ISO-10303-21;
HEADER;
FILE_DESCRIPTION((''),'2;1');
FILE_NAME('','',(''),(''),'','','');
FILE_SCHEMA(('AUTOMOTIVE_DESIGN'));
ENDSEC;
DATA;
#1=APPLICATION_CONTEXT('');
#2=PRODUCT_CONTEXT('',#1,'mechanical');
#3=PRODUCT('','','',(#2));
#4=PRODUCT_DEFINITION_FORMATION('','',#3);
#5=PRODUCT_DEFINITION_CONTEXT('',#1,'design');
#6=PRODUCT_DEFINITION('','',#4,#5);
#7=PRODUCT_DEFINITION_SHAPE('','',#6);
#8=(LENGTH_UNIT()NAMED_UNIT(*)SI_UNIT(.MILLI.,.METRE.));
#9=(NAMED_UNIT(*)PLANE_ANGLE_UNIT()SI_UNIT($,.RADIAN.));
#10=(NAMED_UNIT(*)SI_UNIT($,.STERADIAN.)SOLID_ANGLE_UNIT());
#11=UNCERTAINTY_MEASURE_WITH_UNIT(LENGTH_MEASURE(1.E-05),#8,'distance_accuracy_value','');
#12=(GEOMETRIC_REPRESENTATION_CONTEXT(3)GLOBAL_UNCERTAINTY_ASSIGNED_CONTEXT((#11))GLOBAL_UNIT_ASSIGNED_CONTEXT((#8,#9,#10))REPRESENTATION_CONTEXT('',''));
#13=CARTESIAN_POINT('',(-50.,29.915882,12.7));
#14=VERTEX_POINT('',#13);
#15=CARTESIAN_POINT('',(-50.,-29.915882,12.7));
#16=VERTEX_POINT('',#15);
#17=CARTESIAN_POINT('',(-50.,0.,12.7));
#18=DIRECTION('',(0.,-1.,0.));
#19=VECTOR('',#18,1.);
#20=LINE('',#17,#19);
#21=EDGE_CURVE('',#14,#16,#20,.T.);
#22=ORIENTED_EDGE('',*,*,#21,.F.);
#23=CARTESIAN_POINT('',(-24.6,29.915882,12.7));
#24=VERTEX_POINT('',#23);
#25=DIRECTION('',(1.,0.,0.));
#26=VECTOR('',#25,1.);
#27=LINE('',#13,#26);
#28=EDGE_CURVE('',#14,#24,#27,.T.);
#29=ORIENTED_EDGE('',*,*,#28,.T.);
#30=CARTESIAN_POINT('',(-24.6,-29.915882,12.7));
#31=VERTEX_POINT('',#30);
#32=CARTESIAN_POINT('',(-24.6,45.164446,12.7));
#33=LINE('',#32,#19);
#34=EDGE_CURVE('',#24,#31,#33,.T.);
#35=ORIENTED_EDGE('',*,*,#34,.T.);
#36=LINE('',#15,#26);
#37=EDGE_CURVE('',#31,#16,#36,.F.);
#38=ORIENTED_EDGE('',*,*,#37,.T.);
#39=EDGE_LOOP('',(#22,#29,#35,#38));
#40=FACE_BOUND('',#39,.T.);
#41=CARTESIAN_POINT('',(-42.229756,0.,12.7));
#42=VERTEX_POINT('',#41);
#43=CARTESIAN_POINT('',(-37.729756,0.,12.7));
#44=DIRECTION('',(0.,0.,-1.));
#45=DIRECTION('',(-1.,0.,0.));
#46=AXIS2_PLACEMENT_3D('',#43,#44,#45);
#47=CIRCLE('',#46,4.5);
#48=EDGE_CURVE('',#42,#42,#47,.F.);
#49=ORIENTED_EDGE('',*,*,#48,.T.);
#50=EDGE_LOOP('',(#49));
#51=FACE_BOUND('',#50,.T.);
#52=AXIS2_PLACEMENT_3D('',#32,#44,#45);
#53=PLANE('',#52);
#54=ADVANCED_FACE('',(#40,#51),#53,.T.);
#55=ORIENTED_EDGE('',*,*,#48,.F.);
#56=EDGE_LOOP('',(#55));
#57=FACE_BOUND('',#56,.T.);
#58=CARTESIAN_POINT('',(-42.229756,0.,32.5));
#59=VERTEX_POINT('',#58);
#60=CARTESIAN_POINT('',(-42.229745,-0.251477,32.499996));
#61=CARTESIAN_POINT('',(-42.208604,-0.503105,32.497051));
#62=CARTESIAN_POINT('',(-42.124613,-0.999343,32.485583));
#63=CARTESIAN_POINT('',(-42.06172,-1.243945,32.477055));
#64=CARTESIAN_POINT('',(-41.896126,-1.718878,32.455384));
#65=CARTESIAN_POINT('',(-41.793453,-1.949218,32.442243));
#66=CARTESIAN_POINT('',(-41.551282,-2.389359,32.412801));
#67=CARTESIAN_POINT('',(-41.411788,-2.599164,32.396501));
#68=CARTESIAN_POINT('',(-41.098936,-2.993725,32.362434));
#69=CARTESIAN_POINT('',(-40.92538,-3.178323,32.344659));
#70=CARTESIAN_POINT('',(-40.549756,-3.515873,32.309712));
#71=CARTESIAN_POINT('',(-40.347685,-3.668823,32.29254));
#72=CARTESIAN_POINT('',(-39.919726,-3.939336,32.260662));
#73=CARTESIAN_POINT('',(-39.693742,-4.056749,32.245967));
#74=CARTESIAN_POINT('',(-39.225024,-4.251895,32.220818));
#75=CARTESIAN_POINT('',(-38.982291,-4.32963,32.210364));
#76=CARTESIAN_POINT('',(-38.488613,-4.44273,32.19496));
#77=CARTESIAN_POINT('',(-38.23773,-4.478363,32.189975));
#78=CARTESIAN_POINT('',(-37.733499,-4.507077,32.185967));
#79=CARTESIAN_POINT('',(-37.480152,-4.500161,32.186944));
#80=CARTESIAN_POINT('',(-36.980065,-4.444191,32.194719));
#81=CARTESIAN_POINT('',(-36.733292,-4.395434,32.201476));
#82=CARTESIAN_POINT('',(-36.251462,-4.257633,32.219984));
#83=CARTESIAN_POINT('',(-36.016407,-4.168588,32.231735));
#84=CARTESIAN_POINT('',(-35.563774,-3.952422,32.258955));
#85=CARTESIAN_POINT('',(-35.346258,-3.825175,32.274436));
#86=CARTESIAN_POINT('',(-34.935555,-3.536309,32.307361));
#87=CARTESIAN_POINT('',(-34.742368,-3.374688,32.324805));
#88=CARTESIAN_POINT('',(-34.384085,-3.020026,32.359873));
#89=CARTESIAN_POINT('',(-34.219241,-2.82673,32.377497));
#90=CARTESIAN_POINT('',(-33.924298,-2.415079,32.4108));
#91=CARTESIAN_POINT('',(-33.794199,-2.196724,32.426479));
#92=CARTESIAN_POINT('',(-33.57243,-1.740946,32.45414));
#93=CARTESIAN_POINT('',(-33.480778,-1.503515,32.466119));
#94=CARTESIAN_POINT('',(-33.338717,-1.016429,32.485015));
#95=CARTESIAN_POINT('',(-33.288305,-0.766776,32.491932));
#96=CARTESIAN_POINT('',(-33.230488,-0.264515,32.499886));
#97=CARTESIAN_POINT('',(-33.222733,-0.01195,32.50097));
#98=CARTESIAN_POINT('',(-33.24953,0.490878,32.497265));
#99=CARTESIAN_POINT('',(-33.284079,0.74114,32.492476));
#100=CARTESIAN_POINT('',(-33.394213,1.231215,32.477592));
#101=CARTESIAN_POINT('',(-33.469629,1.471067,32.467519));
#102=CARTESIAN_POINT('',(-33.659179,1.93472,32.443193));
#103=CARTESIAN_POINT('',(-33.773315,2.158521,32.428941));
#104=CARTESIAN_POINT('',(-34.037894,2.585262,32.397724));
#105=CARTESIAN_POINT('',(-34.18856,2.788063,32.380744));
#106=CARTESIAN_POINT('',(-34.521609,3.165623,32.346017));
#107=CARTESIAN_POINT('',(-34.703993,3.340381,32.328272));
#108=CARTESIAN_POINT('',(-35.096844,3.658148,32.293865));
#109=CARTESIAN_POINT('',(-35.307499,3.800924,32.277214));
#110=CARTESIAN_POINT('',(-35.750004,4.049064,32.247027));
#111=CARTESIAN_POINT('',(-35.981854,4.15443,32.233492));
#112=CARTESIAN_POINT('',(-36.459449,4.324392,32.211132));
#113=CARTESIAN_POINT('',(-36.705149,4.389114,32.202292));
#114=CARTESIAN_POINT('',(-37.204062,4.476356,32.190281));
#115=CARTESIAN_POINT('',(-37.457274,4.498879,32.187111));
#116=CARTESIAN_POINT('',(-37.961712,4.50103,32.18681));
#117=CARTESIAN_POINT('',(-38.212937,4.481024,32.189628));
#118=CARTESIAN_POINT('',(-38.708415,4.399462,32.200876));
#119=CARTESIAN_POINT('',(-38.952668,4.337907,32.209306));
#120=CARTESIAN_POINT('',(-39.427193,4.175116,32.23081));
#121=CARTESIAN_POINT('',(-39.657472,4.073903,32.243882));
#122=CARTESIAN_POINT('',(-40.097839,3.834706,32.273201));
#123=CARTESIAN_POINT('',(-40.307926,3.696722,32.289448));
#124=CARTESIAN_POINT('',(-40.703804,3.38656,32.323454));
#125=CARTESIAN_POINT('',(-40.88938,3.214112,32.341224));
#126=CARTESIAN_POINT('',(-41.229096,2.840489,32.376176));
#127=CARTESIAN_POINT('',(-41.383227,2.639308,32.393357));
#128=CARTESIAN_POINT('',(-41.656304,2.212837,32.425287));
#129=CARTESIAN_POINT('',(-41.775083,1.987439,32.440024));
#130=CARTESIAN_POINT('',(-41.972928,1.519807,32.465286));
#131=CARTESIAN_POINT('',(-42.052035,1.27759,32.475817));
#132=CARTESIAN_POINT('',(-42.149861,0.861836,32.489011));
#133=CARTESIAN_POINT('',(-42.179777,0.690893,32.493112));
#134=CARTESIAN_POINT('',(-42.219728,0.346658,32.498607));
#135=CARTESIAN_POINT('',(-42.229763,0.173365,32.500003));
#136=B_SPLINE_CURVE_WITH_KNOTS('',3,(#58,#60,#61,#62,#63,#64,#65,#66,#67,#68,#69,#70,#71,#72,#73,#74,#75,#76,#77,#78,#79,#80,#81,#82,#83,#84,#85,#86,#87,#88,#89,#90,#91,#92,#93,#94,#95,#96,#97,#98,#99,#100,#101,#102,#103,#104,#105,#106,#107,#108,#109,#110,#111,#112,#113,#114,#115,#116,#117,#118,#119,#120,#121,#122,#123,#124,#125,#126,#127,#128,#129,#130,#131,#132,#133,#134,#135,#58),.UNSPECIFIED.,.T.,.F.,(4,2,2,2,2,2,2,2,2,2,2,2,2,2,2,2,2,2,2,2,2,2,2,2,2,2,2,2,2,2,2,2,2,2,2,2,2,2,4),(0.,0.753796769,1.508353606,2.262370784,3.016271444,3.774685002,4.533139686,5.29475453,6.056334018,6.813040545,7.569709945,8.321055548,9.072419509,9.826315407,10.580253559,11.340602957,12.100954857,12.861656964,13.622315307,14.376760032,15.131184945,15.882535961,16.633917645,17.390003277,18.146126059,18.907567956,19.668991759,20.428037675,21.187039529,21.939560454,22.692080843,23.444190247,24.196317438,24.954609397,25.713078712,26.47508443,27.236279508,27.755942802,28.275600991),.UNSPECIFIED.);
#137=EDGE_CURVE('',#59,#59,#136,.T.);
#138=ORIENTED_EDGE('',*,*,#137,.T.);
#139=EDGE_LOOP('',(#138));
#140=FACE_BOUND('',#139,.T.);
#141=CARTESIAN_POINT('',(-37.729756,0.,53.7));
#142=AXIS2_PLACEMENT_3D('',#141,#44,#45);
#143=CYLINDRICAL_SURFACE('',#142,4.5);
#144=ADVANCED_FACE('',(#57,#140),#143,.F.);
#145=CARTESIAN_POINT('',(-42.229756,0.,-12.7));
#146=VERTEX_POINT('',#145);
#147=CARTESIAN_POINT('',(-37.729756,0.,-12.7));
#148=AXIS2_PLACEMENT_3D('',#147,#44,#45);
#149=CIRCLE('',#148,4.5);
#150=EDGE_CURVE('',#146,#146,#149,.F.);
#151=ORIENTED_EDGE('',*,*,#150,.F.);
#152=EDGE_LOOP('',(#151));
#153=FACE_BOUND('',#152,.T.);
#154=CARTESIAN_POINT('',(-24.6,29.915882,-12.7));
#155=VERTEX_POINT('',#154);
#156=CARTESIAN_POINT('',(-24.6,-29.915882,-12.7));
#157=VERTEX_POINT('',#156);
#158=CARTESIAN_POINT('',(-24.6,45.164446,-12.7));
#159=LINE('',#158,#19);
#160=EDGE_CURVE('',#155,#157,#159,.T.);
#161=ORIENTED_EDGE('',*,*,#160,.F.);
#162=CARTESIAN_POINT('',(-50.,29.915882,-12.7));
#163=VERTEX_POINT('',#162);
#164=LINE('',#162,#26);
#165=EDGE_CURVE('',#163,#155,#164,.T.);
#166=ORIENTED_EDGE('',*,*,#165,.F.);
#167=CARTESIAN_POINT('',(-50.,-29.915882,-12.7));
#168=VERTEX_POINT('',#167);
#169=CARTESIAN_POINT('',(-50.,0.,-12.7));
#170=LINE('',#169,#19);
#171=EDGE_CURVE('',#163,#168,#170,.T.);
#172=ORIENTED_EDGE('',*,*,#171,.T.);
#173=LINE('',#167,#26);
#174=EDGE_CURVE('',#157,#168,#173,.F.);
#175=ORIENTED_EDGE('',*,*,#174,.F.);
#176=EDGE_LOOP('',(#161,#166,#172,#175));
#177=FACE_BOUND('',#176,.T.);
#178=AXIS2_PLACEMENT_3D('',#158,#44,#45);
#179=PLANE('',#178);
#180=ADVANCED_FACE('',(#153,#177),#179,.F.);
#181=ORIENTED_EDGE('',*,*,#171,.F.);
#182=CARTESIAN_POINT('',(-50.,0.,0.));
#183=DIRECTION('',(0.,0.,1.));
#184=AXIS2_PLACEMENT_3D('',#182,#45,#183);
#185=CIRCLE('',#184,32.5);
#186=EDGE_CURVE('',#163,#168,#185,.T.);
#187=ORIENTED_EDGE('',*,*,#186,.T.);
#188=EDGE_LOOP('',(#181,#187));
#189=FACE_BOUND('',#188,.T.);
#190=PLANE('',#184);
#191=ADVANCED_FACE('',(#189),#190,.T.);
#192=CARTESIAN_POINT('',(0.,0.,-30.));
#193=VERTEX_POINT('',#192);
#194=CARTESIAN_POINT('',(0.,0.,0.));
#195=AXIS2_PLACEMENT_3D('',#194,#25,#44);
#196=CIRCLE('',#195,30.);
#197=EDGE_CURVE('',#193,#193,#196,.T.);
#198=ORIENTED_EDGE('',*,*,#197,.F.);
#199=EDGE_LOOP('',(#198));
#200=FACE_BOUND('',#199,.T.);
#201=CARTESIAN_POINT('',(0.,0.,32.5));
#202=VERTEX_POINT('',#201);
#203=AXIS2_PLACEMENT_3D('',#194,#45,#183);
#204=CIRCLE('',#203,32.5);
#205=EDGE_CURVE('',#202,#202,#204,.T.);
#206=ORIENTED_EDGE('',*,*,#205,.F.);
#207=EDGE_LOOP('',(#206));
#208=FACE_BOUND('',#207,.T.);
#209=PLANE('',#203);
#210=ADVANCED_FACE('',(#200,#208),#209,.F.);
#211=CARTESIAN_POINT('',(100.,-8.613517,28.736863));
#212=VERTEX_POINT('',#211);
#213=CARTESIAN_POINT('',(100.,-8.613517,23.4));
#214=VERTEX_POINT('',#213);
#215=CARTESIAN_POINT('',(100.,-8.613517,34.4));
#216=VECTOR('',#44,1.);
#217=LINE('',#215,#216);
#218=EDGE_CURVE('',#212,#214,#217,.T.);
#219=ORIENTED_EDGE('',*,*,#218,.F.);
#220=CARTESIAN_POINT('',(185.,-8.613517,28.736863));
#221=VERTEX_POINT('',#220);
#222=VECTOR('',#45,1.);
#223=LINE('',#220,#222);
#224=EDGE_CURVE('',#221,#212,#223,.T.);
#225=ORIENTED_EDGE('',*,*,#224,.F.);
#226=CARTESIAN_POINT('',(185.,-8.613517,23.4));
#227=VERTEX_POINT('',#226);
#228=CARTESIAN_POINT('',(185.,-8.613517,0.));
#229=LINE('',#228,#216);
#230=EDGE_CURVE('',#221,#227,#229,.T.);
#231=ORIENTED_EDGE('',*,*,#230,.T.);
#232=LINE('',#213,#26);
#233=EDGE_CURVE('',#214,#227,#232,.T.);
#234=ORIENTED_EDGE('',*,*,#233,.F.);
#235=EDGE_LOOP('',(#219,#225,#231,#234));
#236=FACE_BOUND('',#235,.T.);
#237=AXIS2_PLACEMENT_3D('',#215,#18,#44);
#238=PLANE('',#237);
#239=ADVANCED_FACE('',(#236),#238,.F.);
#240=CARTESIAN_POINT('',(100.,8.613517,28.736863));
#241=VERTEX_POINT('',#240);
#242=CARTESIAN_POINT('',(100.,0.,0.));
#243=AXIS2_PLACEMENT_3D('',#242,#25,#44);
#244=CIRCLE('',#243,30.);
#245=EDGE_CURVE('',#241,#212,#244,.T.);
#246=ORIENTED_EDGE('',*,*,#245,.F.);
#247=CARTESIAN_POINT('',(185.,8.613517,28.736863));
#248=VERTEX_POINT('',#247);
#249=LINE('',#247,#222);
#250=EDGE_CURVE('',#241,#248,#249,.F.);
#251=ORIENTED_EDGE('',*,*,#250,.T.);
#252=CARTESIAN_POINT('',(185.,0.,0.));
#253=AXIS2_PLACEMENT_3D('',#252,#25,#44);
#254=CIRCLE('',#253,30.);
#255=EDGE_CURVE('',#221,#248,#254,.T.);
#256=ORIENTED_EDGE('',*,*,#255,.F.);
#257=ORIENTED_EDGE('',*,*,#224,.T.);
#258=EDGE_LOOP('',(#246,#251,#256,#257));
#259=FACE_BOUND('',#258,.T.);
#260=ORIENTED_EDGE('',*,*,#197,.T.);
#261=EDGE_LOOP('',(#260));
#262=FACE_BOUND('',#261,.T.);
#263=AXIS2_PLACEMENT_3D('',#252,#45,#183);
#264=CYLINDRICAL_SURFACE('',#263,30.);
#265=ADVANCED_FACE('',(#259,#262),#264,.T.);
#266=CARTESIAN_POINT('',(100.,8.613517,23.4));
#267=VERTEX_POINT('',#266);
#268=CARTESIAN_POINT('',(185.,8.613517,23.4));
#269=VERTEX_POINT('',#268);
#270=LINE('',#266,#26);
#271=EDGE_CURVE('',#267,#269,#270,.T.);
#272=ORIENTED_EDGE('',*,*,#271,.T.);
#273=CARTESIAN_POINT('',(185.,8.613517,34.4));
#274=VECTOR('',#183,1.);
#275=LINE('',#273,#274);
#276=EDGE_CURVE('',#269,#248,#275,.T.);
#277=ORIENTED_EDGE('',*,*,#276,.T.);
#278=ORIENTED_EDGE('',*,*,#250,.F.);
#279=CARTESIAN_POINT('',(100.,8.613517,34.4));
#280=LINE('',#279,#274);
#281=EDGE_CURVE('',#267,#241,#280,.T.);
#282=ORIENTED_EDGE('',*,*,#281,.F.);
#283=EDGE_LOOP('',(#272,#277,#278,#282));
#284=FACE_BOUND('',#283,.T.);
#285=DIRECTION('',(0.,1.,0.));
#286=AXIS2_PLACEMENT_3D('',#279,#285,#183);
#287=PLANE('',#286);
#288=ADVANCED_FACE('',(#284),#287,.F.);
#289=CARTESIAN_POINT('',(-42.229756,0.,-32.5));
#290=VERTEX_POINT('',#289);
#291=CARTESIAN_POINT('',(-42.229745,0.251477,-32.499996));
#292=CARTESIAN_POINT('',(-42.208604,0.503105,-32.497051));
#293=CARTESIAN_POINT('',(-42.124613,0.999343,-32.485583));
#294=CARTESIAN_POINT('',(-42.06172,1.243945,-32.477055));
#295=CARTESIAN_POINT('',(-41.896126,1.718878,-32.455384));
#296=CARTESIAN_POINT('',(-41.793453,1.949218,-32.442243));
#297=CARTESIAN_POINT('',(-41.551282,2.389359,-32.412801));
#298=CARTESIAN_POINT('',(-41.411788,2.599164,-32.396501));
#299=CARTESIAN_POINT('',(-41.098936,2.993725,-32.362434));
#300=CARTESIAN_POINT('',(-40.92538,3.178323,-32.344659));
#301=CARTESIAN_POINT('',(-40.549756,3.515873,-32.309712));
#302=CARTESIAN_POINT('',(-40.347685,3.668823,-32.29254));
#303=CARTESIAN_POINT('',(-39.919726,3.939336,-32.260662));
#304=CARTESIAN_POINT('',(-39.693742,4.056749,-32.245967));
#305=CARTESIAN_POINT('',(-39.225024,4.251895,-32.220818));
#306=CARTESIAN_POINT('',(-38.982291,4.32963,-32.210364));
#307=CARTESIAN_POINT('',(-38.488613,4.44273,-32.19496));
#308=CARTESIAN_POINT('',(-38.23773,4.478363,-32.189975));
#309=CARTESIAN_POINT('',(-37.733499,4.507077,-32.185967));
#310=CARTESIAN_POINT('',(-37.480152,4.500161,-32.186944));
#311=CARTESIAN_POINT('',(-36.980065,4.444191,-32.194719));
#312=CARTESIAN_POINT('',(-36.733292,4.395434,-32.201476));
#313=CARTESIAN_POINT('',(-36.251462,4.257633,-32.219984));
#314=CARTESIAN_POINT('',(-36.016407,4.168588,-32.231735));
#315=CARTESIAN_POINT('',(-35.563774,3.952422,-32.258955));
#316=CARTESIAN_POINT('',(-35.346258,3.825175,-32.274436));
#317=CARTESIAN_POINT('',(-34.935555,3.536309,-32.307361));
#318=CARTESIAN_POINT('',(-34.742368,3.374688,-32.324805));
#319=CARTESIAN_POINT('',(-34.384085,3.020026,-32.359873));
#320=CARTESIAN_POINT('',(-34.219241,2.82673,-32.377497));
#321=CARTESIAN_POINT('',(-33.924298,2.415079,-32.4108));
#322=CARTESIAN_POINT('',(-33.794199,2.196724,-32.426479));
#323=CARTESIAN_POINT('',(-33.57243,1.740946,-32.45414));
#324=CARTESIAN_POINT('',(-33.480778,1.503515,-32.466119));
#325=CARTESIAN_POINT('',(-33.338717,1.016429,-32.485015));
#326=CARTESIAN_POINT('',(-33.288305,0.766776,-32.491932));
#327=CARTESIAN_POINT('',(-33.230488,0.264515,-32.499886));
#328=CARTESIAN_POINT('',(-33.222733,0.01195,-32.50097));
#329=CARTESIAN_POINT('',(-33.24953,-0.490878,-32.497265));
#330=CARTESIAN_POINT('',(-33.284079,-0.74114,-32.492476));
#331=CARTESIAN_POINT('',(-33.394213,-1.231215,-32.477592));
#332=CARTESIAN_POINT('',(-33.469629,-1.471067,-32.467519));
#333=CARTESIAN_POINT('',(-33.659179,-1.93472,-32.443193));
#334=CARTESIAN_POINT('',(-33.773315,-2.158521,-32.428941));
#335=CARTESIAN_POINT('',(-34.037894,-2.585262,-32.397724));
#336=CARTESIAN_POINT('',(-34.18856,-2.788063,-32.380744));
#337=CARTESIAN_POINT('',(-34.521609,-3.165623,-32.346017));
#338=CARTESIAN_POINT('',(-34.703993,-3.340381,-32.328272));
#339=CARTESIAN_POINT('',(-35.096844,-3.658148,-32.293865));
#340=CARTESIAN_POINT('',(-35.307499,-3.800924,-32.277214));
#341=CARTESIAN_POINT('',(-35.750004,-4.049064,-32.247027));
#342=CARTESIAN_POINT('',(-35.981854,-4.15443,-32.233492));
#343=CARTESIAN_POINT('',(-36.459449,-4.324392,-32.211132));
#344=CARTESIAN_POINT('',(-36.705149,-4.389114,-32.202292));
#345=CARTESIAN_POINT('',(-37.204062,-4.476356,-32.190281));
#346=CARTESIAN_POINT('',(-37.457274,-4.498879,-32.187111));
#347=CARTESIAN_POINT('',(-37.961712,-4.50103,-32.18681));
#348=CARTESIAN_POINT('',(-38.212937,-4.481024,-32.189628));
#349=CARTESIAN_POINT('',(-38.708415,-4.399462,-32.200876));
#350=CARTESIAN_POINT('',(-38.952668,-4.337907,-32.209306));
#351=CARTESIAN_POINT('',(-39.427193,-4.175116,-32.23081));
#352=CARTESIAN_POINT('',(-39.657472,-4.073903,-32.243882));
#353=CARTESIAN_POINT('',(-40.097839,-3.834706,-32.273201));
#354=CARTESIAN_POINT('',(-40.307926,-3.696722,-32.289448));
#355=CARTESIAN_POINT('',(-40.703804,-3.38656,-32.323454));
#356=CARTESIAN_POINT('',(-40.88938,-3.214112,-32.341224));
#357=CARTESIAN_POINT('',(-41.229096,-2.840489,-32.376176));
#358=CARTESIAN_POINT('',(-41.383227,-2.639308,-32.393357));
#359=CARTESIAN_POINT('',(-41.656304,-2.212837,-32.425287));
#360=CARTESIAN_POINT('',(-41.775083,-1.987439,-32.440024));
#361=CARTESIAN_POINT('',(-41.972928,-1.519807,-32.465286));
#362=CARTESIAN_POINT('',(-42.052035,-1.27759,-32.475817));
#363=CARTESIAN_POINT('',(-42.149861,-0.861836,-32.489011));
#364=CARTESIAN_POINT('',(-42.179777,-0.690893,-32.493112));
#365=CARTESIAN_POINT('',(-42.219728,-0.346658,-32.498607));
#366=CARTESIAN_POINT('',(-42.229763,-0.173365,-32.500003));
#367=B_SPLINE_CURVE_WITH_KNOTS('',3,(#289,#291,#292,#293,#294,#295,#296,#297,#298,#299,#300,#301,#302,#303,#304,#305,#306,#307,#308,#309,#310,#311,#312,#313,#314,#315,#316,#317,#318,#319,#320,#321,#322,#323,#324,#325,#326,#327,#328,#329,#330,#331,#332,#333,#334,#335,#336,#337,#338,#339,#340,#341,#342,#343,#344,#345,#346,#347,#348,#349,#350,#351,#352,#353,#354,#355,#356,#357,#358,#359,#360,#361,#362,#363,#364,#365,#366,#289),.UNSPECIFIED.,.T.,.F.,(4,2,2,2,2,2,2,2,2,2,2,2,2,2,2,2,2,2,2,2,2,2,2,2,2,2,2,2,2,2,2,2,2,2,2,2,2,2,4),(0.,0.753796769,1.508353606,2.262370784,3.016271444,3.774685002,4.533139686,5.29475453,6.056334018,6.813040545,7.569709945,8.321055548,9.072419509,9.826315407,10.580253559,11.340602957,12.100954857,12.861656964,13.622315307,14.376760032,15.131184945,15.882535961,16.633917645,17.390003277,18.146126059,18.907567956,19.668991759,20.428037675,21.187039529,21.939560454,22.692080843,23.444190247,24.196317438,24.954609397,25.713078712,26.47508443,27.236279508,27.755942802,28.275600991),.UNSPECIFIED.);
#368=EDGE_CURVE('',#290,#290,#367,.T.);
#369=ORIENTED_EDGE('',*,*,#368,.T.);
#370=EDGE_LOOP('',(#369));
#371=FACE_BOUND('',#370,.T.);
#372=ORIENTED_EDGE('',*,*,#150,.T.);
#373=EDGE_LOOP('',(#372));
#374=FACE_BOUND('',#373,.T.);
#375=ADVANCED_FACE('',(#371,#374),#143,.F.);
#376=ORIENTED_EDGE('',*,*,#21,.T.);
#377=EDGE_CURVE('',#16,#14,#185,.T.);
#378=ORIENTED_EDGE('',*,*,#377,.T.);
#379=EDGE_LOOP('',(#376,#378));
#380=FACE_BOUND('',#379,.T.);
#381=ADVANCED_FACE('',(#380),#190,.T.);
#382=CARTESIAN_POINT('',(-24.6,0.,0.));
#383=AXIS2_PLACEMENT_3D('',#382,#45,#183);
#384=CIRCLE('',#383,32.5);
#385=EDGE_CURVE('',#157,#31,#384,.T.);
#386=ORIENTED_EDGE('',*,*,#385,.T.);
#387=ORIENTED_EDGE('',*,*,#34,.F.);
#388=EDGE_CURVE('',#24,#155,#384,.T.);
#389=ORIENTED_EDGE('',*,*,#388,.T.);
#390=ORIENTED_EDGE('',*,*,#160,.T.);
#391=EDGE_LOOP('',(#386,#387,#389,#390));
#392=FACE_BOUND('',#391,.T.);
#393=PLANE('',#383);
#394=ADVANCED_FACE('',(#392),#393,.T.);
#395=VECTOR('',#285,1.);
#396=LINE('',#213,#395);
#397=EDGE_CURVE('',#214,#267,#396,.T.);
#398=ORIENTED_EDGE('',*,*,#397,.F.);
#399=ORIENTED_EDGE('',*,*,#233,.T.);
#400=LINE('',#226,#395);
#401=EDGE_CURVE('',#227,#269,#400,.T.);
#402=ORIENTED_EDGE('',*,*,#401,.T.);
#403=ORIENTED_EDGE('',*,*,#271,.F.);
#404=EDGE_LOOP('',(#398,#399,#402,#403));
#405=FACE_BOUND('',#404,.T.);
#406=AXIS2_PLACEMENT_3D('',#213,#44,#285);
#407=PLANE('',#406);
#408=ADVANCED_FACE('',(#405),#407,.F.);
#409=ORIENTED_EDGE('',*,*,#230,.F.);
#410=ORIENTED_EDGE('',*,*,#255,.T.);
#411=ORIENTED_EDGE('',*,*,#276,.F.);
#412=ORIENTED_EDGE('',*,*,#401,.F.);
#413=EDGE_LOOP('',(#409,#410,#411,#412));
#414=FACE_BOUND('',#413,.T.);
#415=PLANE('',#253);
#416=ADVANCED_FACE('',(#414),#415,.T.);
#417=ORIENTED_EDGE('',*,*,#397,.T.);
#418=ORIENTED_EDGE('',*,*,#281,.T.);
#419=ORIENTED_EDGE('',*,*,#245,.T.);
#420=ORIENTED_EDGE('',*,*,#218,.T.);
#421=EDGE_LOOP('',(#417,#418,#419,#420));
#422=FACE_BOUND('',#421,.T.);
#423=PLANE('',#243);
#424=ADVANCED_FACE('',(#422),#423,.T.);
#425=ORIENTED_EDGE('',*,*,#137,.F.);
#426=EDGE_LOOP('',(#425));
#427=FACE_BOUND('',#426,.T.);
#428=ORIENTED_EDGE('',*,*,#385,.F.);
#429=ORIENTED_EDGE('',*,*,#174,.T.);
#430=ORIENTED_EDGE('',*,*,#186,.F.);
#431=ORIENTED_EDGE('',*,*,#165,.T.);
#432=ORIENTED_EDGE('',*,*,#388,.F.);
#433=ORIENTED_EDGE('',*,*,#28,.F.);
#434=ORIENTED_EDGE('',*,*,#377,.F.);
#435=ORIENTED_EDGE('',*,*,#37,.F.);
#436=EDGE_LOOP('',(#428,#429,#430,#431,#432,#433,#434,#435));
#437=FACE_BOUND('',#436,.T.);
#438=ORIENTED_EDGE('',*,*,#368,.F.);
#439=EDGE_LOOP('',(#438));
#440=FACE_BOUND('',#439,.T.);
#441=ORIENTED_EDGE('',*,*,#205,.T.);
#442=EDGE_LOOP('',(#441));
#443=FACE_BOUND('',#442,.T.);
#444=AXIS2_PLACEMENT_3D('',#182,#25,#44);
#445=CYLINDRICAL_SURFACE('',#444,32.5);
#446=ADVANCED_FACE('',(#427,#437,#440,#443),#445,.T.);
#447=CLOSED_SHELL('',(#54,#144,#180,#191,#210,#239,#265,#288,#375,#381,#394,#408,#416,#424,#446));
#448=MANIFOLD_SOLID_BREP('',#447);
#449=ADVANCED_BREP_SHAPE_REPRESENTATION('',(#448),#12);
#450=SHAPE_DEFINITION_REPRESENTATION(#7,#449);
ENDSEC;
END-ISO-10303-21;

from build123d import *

# Parameters (mm, degrees)
SKETCH1_R               = 30
BOSS_EXTRUDE1_DEPTH     = 185
SKETCH2_R               = 32.5
BOSS_EXTRUDE2_DEPTH     = 50
SKETCH3_W               = 17.227034698
SKETCH3_H               = 11
CUT_EXTRUDE1_DEPTH      = 85
SKETCH6_W               = 97.129715822
SKETCH6_H               = 25.4
CUT_EXTRUDE2_DEPTH      = 25.4
CUT_EXTRUDE3_DEPTH      = 66.4
CUT_EXTRUDE3_DEPTH_BACK = 25.4
SKETCH7_R               = 4.5


with BuildPart() as part:
    # Sketch1 → Boss-Extrude1 (new body)
    with BuildSketch(Plane.YZ):
        with Locations(Location((0, 0, 0), (0, 0, 270))):
            Circle(SKETCH1_R)
    extrude(amount=BOSS_EXTRUDE1_DEPTH)

    # Sketch2 → Boss-Extrude2 (add)
    with BuildSketch(Plane.ZY):
        Circle(SKETCH2_R)
    extrude(amount=BOSS_EXTRUDE2_DEPTH)

    # Sketch3 → Cut-Extrude1 (cut)
    with BuildSketch(Plane.YZ.offset(185)):
        with Locations((0, 28.9)):
            Rectangle(SKETCH3_W, SKETCH3_H)
    extrude(amount=-CUT_EXTRUDE1_DEPTH, mode=Mode.SUBTRACT)

    # Sketch6 → Cut-Extrude2 (cut)
    with BuildSketch(Plane(origin=(-50, 0, 0), x_dir=(0, -1, 0), z_dir=(-1, 0, 0))):
        with Locations((3.400411954, 0)):
            Rectangle(SKETCH6_W, SKETCH6_H)
    extrude(amount=-CUT_EXTRUDE2_DEPTH, mode=Mode.SUBTRACT)

    # Sketch7 → Cut-Extrude3 (cut, two sides: drawn at the far end of the back side and taken through both)
    with BuildSketch(Plane.XY.offset(-12.7).offset(-CUT_EXTRUDE3_DEPTH_BACK)):
        with Locations(Location((-37.729755698, 0, 0), (0, 0, 180))):
            Circle(SKETCH7_R)
    extrude(amount=CUT_EXTRUDE3_DEPTH + CUT_EXTRUDE3_DEPTH_BACK, mode=Mode.SUBTRACT)


solid = part.part
